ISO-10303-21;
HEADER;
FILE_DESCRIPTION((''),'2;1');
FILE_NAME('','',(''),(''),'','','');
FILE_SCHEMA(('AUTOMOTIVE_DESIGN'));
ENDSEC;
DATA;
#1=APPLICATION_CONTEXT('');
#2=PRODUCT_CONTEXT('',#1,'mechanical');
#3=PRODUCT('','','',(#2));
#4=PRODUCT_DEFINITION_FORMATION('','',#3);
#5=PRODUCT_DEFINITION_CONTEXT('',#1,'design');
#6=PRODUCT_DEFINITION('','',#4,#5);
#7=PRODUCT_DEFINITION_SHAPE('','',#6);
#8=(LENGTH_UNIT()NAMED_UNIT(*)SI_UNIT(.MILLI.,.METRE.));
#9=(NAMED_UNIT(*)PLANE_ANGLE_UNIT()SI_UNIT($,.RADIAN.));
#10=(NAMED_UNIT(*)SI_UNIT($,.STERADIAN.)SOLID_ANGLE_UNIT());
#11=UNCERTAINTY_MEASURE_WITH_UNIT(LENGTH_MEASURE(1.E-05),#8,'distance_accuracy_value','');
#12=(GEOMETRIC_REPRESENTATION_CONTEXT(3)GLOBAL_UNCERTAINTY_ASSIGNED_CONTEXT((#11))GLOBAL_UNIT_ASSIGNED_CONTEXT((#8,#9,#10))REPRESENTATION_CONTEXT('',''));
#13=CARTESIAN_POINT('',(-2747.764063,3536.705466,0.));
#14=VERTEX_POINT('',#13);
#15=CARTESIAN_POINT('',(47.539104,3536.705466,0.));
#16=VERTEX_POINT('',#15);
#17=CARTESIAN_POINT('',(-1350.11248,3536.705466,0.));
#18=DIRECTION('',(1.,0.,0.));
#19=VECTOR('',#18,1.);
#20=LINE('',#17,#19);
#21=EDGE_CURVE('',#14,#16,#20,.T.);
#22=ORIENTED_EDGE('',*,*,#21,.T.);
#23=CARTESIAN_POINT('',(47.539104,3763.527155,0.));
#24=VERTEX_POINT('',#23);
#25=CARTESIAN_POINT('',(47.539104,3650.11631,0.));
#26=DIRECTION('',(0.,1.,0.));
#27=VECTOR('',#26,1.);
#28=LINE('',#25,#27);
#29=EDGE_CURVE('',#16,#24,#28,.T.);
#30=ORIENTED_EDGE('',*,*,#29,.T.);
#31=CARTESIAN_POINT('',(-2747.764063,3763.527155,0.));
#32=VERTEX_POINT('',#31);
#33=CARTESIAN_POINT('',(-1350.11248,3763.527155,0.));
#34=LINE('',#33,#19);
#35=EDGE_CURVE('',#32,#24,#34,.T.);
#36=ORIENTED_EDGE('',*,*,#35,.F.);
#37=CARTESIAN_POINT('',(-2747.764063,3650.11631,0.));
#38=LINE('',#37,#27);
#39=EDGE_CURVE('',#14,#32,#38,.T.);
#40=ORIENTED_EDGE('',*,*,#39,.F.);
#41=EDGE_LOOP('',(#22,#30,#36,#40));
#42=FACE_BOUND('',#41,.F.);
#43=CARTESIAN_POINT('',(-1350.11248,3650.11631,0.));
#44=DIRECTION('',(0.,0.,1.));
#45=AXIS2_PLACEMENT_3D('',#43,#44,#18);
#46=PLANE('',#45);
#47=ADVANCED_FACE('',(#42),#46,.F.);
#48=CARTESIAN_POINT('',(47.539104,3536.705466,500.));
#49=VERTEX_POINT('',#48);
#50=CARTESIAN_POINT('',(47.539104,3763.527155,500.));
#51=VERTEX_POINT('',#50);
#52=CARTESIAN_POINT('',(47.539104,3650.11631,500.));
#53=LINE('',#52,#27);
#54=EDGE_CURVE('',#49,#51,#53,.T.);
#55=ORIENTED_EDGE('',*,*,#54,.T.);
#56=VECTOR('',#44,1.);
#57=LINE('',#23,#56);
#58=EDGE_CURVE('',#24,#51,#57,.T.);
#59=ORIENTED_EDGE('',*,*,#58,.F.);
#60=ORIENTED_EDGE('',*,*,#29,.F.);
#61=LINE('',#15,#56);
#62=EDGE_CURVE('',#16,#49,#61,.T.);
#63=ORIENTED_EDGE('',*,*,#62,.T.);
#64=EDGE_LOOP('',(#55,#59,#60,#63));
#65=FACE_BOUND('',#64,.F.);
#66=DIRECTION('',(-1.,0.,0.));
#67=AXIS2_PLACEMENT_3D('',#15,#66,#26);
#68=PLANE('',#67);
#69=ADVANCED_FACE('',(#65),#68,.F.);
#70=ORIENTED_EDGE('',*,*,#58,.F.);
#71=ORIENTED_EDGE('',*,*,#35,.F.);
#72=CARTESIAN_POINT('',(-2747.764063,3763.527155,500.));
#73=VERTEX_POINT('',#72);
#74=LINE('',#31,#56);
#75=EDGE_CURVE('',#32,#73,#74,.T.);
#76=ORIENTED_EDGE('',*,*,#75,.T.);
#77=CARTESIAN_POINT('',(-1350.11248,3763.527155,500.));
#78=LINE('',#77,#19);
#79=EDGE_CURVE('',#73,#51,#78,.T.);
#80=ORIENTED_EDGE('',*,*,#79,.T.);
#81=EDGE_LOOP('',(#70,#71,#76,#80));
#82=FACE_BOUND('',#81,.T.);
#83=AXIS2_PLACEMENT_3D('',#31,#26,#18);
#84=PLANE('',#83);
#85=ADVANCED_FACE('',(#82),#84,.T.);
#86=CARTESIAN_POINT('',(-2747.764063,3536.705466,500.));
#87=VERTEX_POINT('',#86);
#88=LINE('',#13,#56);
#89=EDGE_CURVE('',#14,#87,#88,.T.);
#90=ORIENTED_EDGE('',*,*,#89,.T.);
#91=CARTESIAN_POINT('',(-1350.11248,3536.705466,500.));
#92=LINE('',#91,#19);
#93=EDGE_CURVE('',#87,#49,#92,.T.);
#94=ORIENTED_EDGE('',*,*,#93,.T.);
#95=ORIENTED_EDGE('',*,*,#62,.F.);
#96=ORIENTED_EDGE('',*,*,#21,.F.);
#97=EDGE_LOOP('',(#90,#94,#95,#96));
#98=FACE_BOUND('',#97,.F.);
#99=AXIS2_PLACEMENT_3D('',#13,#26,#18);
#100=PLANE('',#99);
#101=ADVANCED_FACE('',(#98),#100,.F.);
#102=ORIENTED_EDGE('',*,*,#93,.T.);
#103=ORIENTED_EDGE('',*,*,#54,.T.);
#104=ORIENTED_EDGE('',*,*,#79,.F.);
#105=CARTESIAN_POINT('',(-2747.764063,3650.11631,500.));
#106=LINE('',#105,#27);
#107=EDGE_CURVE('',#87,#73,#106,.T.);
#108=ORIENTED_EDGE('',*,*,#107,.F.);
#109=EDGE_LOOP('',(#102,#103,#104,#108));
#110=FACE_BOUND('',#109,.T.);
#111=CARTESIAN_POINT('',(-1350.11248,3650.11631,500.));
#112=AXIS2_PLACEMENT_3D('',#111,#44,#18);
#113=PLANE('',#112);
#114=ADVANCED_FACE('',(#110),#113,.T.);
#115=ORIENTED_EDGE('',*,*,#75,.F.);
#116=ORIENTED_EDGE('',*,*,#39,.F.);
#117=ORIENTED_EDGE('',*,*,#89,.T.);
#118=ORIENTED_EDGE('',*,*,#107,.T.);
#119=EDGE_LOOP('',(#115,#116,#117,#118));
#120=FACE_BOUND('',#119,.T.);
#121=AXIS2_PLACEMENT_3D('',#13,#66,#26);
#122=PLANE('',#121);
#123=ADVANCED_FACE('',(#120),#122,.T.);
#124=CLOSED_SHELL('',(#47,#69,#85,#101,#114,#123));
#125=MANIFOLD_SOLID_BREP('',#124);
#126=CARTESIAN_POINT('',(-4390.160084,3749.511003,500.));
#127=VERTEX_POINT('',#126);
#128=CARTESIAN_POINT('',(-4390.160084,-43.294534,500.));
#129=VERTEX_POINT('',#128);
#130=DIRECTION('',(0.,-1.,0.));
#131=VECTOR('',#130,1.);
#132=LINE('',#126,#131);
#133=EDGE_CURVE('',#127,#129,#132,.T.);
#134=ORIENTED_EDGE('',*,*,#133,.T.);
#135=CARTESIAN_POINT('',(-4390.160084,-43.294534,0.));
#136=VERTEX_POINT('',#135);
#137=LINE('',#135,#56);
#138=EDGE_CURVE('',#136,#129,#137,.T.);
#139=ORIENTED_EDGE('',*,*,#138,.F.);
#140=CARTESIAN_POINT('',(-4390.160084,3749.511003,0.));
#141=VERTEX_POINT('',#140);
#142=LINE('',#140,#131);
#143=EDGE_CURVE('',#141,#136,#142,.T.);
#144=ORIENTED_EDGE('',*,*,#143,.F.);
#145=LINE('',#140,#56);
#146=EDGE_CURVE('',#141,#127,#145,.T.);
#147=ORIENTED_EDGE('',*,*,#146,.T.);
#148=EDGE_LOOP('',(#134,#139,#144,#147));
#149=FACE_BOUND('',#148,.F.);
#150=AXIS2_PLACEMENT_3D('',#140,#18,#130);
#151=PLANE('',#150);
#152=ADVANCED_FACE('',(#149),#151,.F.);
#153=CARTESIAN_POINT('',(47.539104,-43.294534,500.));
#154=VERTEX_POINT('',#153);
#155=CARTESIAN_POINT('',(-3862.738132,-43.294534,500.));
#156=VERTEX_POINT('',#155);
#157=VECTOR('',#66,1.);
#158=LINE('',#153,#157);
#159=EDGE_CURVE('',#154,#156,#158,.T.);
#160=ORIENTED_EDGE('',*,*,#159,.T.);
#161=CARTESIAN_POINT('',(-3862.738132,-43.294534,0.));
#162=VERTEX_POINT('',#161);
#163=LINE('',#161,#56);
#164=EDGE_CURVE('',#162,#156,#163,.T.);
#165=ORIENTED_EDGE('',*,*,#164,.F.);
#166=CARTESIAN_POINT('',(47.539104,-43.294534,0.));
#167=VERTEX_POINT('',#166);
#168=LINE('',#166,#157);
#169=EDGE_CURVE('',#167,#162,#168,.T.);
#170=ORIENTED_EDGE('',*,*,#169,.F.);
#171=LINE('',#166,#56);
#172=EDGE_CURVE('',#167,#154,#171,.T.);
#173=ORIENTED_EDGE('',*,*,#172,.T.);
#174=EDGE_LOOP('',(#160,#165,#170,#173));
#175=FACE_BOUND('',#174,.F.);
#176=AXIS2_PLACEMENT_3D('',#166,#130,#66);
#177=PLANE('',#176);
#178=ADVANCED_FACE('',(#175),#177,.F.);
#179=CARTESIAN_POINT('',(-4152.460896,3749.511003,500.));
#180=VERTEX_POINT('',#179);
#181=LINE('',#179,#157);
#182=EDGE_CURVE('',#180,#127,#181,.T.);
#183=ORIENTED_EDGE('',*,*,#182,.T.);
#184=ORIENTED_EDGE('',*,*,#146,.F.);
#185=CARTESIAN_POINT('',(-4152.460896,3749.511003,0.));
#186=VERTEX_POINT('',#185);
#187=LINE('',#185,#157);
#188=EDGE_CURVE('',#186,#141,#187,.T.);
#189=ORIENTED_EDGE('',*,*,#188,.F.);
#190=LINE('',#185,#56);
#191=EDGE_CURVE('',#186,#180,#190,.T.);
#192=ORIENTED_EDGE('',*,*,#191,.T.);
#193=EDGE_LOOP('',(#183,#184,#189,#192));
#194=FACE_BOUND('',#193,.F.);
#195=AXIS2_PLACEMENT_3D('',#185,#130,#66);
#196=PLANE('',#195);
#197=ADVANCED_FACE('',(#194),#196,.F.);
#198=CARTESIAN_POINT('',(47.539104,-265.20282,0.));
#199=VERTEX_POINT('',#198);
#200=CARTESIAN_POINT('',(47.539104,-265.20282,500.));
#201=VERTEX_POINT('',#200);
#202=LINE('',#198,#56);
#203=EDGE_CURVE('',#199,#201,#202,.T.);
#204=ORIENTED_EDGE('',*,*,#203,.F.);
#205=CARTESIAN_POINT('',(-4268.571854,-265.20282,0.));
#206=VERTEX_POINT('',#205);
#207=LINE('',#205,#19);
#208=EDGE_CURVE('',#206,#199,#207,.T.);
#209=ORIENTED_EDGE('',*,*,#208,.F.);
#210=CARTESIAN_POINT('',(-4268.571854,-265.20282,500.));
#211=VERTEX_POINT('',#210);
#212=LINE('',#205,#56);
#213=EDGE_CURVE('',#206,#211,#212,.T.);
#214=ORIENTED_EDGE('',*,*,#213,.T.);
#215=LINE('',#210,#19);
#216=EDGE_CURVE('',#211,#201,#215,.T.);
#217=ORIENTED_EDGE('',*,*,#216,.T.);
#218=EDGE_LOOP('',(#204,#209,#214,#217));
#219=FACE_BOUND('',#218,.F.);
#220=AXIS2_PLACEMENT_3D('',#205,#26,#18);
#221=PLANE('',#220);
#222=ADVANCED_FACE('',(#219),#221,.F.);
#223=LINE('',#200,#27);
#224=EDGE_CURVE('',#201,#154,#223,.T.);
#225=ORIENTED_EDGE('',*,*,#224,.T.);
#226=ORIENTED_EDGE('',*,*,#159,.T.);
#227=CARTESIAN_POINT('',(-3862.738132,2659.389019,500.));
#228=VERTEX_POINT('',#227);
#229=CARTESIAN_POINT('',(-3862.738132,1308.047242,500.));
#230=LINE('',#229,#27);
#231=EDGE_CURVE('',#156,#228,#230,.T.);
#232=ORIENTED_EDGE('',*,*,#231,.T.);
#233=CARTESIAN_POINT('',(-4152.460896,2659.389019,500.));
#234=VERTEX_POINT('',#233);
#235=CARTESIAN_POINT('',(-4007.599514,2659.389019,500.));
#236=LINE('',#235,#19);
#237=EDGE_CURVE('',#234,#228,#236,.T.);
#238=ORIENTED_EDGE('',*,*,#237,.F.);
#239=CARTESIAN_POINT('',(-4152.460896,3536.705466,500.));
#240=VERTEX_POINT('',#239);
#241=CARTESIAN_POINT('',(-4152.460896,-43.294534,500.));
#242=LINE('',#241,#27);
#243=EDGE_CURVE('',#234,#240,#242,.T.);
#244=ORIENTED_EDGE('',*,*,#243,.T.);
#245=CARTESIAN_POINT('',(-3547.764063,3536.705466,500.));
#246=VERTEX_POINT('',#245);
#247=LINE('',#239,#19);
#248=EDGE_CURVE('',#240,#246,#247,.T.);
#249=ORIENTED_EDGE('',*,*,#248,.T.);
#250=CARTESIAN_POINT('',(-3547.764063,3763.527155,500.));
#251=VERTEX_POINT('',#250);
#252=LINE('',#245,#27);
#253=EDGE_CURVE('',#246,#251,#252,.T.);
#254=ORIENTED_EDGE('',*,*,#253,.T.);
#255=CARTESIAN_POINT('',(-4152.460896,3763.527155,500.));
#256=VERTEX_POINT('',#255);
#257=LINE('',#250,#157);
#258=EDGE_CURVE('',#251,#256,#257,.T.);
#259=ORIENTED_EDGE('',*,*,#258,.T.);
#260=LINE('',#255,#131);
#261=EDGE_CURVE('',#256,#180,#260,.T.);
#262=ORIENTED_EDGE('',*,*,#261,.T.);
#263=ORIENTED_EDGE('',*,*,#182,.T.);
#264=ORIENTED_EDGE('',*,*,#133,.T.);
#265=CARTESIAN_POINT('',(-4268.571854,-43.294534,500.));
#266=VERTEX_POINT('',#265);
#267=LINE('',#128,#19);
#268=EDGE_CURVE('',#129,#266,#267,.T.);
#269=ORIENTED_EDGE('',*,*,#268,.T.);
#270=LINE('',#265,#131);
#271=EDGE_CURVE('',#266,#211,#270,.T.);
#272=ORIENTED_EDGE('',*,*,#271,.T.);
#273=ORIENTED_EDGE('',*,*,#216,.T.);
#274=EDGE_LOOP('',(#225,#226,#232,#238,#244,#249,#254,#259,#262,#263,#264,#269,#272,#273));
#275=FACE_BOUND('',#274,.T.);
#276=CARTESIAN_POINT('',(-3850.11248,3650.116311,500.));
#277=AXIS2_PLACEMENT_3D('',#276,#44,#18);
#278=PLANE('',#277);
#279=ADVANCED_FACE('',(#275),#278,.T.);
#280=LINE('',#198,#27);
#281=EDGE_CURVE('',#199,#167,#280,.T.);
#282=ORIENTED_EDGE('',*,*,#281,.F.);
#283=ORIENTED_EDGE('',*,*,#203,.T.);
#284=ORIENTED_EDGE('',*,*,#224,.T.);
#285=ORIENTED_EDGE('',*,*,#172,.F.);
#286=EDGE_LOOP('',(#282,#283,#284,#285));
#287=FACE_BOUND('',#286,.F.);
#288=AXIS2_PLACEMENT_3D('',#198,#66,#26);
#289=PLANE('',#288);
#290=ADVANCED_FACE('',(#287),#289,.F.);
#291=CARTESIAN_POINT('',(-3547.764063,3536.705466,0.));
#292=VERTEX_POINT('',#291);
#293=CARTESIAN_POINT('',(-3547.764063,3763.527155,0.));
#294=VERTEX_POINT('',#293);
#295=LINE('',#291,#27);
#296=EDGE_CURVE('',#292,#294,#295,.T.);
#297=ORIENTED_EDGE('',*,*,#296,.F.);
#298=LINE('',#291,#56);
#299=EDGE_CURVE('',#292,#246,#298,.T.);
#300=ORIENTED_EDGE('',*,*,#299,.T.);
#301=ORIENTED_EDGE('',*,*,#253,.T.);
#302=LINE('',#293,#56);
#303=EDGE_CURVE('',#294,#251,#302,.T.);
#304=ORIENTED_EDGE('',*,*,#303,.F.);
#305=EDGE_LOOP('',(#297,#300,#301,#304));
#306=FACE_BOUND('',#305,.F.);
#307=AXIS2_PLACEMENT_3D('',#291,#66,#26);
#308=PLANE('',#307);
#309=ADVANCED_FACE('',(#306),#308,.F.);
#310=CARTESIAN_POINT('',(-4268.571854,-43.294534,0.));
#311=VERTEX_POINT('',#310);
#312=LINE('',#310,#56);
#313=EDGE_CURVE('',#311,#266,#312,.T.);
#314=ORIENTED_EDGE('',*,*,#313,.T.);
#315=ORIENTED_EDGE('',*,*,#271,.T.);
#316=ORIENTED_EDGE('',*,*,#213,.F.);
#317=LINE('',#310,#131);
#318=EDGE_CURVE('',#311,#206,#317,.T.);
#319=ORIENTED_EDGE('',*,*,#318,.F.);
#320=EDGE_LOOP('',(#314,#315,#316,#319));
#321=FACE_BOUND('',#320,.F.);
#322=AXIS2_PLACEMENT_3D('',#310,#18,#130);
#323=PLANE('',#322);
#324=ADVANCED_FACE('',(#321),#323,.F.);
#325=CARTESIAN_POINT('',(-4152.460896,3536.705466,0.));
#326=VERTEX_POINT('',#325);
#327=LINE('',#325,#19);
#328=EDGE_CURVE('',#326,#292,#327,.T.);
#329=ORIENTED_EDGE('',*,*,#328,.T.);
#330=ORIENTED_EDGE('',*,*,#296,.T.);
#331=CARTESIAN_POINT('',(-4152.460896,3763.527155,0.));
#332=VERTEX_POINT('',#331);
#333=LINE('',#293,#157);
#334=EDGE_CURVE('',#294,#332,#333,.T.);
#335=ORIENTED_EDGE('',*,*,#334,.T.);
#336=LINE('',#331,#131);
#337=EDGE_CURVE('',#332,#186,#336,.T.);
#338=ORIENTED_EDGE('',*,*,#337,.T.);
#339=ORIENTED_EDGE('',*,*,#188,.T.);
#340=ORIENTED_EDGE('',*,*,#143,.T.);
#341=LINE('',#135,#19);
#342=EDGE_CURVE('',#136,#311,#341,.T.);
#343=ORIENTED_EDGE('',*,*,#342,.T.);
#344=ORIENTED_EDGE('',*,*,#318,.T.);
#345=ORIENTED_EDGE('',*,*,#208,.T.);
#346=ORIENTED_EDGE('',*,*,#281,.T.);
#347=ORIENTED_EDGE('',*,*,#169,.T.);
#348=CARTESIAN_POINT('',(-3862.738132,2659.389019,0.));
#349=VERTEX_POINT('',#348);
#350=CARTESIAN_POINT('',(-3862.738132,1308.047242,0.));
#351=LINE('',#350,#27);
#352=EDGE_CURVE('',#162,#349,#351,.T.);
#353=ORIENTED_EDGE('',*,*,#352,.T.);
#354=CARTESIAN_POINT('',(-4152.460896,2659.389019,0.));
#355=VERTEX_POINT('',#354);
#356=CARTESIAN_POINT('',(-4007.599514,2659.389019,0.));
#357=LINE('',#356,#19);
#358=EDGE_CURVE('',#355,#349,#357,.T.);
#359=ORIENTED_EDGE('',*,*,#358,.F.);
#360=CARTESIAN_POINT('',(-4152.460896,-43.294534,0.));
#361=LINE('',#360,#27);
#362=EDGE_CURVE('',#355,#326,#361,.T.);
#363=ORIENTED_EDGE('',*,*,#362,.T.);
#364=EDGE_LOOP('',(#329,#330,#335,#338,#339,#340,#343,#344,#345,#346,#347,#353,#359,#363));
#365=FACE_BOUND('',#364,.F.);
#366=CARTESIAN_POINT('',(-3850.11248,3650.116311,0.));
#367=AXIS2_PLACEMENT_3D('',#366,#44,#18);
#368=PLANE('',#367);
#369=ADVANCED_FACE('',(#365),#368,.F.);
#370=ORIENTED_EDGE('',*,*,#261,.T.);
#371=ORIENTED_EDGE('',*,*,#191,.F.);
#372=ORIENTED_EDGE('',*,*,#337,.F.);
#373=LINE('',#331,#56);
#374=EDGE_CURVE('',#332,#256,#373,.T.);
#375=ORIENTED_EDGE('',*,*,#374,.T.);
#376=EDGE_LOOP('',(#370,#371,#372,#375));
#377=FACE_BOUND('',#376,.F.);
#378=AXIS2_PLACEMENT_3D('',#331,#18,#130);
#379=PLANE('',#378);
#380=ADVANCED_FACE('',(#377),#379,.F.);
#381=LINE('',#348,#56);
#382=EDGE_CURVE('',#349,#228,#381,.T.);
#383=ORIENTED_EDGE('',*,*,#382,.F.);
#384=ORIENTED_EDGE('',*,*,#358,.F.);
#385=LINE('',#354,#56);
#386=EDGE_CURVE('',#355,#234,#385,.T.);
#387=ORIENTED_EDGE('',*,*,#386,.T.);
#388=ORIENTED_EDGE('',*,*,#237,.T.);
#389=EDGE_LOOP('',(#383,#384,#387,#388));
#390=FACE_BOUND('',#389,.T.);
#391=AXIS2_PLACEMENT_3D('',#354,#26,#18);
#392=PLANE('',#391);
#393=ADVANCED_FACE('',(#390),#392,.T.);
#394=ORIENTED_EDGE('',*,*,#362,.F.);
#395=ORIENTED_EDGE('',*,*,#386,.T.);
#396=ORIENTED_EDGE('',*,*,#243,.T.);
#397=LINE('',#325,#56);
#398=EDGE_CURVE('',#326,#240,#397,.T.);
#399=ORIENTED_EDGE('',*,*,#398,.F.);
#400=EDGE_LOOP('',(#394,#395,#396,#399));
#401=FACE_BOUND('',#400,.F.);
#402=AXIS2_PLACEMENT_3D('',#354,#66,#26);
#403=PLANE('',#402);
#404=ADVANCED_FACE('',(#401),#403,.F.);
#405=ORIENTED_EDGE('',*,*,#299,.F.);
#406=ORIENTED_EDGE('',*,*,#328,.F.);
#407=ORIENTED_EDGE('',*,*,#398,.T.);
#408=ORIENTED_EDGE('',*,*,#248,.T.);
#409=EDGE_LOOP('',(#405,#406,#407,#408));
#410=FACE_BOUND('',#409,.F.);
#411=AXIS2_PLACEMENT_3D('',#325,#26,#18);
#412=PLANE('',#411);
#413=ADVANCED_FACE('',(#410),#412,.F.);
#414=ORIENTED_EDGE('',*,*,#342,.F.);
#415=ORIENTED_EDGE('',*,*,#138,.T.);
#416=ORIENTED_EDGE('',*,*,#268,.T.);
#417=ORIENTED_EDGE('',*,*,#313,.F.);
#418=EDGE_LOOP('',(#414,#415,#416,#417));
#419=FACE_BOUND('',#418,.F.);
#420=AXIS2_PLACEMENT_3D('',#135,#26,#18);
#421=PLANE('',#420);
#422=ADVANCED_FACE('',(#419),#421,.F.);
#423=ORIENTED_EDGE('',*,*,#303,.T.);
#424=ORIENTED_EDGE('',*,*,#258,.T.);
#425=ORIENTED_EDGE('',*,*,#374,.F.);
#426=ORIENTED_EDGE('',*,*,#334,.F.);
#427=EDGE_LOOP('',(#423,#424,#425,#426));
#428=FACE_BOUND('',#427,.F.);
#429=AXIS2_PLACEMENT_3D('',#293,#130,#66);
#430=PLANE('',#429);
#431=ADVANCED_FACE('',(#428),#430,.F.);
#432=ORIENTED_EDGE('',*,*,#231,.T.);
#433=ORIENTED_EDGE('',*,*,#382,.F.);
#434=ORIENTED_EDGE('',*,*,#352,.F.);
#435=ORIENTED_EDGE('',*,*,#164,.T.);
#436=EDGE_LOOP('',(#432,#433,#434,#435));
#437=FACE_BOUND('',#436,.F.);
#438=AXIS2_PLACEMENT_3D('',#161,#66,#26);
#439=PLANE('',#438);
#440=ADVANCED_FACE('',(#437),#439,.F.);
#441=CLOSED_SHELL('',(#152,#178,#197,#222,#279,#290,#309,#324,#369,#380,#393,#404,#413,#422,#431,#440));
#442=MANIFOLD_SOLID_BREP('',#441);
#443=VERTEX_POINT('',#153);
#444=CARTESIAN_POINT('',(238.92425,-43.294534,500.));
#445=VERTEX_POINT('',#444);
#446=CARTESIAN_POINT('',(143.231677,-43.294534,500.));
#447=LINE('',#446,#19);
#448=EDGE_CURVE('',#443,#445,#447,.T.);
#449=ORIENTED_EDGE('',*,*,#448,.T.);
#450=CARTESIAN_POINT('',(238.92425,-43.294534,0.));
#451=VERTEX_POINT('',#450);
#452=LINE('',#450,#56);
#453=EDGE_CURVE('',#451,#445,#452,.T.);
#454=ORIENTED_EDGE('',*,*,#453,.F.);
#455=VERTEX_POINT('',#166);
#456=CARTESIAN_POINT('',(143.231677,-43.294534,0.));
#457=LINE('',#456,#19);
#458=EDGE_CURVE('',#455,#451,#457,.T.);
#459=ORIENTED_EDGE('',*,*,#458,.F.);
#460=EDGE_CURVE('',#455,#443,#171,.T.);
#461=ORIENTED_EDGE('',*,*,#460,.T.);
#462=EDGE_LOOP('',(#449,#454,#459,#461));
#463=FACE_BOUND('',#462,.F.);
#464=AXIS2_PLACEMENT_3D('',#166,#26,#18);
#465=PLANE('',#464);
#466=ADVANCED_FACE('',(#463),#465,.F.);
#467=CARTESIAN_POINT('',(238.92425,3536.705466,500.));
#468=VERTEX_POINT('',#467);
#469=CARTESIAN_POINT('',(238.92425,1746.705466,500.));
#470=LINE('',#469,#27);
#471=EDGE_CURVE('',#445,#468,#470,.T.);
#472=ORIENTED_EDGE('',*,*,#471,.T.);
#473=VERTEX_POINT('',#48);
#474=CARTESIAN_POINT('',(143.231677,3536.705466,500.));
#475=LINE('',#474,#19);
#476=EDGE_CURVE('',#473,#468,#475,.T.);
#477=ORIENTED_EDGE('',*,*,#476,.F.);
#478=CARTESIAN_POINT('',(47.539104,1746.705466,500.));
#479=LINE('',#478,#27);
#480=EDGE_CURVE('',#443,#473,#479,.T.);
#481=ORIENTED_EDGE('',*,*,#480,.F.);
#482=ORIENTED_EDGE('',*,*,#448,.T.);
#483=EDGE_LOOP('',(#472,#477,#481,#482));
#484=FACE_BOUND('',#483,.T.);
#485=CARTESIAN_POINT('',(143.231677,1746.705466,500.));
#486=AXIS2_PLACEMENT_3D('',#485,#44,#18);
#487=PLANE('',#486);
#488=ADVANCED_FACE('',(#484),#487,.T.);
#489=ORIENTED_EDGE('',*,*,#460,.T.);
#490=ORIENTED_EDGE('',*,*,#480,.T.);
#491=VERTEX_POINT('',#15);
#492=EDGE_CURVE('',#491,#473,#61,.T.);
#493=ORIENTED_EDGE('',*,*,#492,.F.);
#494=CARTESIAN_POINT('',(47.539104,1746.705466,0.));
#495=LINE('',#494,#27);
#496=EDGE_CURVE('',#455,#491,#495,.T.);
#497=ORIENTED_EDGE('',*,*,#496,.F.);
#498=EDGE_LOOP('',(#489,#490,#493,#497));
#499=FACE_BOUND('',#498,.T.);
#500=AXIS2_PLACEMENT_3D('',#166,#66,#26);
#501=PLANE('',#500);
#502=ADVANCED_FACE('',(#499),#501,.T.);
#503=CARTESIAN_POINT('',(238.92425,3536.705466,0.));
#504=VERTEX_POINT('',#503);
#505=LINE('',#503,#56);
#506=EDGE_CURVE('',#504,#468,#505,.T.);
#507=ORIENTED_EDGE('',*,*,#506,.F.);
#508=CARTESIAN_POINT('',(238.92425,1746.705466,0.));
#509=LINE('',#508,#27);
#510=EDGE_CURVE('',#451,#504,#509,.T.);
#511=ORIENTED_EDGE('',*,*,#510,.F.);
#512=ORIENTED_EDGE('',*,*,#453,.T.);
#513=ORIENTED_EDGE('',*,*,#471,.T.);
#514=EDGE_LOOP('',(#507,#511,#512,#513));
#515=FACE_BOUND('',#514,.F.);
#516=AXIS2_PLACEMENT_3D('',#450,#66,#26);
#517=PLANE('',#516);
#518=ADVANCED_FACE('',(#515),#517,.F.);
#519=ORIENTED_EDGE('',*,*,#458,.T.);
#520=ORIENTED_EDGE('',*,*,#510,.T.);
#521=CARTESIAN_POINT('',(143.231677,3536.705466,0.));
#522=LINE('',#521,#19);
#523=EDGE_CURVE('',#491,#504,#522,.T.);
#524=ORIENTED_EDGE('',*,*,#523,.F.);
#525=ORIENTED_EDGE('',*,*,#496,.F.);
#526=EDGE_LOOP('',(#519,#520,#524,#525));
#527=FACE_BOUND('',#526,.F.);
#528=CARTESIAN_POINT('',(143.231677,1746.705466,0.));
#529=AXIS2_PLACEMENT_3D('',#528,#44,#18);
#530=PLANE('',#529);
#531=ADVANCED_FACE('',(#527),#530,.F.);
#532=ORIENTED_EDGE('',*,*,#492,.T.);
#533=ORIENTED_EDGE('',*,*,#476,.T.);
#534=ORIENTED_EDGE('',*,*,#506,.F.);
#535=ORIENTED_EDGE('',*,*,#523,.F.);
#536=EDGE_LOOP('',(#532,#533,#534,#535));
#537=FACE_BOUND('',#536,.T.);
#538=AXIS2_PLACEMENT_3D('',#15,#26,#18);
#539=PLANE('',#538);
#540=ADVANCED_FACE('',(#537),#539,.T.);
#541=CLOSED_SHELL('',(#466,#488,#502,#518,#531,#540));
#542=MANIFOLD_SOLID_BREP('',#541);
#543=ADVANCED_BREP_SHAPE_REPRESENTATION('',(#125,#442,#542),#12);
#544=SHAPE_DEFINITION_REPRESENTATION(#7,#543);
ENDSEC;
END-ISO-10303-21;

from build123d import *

# Parameters (mm, degrees)
F0_W     = 191.385146
F0_H     = 3580
F0_W_2   = 2795.303167
F0_H_2   = 226.821689
F0_W_3   = 289.722764
F0_H_3   = 2702.683553
F1_DEPTH = 500


with BuildPart() as f1:
    # F0 (on Top) → F1 (new body)
    with BuildSketch(Plane.XY):
        with Locations((143.231677, 1746.705466)):
            Rectangle(F0_W, F0_H)
        with Locations((-1350.11248, 3650.11631)):
            Rectangle(F0_W_2, F0_H_2)
        Polygon((-4152.460896, 3749.511003), (-4152.460896, 3536.705466), (-3640.583038, 3536.705466), (-3547.764063, 3536.705466), (-3547.764063, 3763.527155), (-4152.460896, 3763.527155), align=None)
        Polygon((-3862.738132, -43.294534), (-4152.460896, -43.294534), (-4268.571854, -43.294534), (-4268.571854, -265.20282), (47.539104, -265.20282), (47.539104, -43.294534), align=None)
        Polygon((-4152.460896, 2659.389019), (-4152.460896, 3536.705466), (-4152.460896, 3749.511003), (-4390.160084, 3749.511003), (-4390.160084, -43.294534), (-4268.571854, -43.294534), (-4152.460896, -43.294534), align=None)
        with Locations((-4007.599514, 1308.047242)):
            Rectangle(F0_W_3, F0_H_3)
    extrude(amount=F1_DEPTH)


solid = f1.part
